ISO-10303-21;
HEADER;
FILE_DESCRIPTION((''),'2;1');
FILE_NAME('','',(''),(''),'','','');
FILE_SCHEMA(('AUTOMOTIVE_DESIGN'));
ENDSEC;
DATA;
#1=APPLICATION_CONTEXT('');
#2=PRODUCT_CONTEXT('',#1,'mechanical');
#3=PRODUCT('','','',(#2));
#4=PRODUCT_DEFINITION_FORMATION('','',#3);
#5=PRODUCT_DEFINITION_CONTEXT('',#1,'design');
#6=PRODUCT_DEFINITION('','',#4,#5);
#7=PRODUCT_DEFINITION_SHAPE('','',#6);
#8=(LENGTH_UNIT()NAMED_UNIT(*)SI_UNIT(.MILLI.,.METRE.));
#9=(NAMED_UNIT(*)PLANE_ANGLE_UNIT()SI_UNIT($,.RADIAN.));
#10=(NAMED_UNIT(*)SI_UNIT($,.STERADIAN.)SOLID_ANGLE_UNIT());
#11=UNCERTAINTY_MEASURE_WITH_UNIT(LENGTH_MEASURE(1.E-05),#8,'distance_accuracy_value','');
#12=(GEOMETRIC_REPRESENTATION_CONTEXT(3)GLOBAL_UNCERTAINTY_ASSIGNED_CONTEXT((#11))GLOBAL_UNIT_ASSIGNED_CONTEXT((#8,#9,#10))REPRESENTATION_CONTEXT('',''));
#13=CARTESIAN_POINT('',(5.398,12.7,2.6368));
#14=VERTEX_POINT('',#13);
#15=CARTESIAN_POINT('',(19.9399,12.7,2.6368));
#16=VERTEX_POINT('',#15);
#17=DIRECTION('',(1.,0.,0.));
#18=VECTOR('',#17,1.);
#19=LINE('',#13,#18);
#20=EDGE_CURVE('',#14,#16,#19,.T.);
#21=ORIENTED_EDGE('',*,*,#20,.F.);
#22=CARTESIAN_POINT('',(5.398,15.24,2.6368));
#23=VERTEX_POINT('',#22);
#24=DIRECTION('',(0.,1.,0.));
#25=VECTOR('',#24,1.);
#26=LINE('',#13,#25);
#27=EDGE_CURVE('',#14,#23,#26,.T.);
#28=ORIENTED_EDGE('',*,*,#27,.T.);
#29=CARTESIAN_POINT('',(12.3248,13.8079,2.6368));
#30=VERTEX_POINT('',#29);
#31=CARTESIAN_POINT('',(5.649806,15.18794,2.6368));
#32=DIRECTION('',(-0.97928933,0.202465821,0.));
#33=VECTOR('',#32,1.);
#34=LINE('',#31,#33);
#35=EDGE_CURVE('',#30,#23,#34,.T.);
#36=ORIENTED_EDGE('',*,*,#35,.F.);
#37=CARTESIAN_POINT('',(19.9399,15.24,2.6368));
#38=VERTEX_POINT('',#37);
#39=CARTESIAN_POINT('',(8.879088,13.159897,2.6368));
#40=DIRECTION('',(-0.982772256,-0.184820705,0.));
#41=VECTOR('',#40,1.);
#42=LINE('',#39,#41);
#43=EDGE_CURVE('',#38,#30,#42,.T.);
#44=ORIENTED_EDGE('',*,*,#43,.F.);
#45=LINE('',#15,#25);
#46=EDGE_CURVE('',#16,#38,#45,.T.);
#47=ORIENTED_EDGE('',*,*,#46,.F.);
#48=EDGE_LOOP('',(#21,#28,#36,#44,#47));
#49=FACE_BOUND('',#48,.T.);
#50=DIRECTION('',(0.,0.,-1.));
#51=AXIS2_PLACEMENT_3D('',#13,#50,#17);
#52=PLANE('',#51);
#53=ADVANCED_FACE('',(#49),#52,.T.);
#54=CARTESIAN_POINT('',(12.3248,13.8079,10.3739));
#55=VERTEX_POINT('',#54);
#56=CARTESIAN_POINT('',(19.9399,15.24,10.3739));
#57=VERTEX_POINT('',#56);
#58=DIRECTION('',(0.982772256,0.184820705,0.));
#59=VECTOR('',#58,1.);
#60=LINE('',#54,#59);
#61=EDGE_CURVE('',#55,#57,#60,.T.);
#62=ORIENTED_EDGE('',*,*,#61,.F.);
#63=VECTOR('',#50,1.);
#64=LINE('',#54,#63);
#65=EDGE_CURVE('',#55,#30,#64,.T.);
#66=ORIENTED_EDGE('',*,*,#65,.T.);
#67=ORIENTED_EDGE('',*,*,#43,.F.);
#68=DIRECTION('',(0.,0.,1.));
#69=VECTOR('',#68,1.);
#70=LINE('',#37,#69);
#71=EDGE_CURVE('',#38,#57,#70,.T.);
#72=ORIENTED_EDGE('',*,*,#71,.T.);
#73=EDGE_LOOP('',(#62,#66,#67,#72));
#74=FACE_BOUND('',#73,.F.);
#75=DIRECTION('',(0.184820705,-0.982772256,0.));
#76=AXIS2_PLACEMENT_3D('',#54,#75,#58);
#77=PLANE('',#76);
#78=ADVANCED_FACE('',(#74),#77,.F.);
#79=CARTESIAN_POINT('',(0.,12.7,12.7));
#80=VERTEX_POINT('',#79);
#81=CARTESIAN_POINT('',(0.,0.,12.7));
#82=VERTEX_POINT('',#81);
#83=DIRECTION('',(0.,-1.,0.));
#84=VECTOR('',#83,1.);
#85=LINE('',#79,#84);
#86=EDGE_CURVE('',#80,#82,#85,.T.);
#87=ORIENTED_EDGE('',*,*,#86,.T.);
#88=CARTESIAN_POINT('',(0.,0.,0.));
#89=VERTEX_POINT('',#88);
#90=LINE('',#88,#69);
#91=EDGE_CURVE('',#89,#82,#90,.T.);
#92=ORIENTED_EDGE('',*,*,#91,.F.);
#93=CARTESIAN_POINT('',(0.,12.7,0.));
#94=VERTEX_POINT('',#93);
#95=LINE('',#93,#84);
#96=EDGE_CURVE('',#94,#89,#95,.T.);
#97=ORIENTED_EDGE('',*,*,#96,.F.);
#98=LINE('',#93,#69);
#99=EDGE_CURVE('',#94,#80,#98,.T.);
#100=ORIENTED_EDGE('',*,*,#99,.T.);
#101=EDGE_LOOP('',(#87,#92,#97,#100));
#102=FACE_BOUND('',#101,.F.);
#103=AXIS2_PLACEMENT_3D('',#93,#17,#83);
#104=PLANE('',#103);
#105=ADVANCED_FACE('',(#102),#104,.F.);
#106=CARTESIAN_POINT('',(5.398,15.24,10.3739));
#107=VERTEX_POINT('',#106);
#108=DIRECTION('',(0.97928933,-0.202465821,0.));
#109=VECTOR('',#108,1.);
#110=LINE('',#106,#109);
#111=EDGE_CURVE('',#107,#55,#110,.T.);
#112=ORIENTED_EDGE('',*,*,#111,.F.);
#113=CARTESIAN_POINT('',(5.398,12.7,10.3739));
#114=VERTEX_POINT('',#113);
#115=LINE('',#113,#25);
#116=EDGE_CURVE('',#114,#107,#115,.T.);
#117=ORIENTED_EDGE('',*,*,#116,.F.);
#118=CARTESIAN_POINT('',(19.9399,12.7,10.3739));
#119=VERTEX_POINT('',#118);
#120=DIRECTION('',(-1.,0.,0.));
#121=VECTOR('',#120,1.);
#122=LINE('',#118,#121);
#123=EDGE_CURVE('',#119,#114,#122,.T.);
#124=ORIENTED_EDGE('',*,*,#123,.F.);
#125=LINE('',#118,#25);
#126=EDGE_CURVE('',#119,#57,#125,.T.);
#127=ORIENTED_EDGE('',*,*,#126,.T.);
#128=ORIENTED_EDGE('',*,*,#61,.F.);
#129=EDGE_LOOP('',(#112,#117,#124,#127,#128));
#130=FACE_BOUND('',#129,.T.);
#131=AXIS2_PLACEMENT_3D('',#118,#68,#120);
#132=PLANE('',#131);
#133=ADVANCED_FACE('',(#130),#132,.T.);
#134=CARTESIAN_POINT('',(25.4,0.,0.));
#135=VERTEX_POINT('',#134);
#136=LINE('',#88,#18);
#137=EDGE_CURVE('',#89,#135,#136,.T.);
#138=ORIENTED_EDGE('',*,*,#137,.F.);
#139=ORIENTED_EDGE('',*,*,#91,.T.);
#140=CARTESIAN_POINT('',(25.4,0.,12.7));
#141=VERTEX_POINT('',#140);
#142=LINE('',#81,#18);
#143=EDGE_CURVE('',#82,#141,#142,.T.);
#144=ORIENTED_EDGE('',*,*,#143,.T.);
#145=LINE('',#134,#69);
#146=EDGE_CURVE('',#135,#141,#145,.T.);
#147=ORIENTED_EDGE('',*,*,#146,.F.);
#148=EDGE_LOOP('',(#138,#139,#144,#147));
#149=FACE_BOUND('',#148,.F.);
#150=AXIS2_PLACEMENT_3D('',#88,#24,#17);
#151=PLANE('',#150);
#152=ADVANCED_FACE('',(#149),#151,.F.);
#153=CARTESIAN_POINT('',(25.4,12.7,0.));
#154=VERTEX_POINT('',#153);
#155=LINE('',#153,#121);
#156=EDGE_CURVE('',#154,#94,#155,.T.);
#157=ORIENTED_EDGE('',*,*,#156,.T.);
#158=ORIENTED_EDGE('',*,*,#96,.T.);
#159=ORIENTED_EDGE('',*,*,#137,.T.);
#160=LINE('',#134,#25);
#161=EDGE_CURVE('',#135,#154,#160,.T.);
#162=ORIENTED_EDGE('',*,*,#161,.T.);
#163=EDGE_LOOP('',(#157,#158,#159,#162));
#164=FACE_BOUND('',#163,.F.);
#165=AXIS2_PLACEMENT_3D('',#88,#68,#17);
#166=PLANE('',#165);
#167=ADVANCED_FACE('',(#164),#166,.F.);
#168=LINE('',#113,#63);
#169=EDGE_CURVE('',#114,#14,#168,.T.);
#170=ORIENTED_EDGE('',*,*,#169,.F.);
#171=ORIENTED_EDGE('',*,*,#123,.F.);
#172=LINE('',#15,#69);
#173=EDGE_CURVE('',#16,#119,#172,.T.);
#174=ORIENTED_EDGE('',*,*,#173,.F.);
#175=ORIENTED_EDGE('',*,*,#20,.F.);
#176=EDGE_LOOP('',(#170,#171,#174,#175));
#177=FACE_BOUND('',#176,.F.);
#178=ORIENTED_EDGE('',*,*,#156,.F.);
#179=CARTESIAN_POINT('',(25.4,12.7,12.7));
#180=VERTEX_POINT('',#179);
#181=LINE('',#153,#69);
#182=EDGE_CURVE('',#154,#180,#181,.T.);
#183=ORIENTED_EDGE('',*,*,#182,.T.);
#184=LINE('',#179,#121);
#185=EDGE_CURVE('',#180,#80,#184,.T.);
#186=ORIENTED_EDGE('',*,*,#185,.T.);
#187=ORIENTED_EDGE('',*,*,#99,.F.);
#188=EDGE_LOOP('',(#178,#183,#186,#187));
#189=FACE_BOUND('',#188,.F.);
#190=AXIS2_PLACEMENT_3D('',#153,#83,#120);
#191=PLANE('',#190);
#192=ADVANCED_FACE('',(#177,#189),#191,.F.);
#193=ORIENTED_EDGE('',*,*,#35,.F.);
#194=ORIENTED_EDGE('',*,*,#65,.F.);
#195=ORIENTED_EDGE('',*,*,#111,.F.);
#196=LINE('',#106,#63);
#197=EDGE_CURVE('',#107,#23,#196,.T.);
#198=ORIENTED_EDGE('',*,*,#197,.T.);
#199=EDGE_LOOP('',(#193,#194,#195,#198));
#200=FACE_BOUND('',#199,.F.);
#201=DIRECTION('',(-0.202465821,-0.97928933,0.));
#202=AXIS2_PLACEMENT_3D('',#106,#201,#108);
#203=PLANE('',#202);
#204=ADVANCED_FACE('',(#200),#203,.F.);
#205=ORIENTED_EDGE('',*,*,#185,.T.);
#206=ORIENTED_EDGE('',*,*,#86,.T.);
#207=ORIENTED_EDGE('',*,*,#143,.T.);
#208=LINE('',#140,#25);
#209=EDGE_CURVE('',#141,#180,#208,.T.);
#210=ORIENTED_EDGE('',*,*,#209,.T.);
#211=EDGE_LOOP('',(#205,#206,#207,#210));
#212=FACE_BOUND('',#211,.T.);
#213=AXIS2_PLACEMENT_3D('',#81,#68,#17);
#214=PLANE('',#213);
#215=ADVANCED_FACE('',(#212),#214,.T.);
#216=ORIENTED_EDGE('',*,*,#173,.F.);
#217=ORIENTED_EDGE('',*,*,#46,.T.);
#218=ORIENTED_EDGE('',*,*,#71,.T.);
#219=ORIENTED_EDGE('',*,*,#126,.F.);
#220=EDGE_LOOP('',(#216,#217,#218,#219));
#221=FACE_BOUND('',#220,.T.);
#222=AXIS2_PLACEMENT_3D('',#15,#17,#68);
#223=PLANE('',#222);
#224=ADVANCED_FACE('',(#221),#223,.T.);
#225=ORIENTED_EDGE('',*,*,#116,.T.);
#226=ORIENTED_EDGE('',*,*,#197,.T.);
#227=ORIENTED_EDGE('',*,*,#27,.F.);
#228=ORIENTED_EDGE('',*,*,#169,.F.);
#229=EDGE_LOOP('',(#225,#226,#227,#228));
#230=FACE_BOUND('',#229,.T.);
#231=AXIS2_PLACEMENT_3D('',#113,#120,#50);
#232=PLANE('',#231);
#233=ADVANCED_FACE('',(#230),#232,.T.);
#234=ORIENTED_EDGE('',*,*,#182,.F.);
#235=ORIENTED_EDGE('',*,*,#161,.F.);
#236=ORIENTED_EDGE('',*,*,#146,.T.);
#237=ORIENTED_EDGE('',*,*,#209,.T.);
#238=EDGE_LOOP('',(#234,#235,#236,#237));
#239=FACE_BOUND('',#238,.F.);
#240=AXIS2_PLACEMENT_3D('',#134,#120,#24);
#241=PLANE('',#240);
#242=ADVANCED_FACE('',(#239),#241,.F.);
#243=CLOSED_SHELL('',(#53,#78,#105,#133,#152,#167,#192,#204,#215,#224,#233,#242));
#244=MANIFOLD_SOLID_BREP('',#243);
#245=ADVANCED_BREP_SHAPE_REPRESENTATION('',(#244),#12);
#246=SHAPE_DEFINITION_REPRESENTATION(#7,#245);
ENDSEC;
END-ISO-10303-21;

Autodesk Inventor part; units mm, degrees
ref_plane "YZ Plane" through (0, 0, 0) normal (1, 0, 0) x (0, 1, 0)
ref_plane "XZ Plane" through (0, 0, 0) normal (0, 1, 0) x (-1, 0, 0)
ref_plane "XY Plane" through (0, 0, 0) normal (0, 0, 1) x (1, 0, 0)
sketch "Sketch1" plane through (0, 0, 0) normal (0, 0, 1) x (1, 0, 0)
  line L0 (0, 0) -> (25.4, 0)
  line L1 (25.4, 0) -> (25.4, 12.7)
  line L2 (25.4, 12.7) -> (0, 12.7)
  line L3 (0, 12.7) -> (0, 0)
  dimension "d0" = 25.4
  dimension "d1" = 12.7
extrude "Extrusion1" add sketch "Sketch1" along normal blind 12.7
sketch "Sketch2" plane through (0, 12.7, 0) normal (0, 1, 0) x (1, 0, 0)
  line L0 (5.398, -2.6368) -> (19.9399, -2.6368)
  line L1 (19.9399, -2.6368) -> (19.9399, -10.3739)
  line L2 (19.9399, -10.3739) -> (5.398, -10.3739)
  line L3 (5.398, -10.3739) -> (5.398, -2.6368)
extrude "Extrusion2" add sketch "Sketch2" along normal blind 2.54
sketch "Sketch3" plane through (5.398, 12.7, 10.3739) normal (0, 0, 1) x (1, 0, 0)
  line L0 (14.5419, 2.54) -> (0, 2.54) projected
  line L1 (0, 2.54) -> (6.9268, 1.1079)
  line L2 (6.9268, 1.1079) -> (14.5419, 2.54)
  point P0 (-5.398, -12.7)
extrude "Extrusion3" cut sketch "Sketch3" against normal blind 50.8
properties part number "Switch"
